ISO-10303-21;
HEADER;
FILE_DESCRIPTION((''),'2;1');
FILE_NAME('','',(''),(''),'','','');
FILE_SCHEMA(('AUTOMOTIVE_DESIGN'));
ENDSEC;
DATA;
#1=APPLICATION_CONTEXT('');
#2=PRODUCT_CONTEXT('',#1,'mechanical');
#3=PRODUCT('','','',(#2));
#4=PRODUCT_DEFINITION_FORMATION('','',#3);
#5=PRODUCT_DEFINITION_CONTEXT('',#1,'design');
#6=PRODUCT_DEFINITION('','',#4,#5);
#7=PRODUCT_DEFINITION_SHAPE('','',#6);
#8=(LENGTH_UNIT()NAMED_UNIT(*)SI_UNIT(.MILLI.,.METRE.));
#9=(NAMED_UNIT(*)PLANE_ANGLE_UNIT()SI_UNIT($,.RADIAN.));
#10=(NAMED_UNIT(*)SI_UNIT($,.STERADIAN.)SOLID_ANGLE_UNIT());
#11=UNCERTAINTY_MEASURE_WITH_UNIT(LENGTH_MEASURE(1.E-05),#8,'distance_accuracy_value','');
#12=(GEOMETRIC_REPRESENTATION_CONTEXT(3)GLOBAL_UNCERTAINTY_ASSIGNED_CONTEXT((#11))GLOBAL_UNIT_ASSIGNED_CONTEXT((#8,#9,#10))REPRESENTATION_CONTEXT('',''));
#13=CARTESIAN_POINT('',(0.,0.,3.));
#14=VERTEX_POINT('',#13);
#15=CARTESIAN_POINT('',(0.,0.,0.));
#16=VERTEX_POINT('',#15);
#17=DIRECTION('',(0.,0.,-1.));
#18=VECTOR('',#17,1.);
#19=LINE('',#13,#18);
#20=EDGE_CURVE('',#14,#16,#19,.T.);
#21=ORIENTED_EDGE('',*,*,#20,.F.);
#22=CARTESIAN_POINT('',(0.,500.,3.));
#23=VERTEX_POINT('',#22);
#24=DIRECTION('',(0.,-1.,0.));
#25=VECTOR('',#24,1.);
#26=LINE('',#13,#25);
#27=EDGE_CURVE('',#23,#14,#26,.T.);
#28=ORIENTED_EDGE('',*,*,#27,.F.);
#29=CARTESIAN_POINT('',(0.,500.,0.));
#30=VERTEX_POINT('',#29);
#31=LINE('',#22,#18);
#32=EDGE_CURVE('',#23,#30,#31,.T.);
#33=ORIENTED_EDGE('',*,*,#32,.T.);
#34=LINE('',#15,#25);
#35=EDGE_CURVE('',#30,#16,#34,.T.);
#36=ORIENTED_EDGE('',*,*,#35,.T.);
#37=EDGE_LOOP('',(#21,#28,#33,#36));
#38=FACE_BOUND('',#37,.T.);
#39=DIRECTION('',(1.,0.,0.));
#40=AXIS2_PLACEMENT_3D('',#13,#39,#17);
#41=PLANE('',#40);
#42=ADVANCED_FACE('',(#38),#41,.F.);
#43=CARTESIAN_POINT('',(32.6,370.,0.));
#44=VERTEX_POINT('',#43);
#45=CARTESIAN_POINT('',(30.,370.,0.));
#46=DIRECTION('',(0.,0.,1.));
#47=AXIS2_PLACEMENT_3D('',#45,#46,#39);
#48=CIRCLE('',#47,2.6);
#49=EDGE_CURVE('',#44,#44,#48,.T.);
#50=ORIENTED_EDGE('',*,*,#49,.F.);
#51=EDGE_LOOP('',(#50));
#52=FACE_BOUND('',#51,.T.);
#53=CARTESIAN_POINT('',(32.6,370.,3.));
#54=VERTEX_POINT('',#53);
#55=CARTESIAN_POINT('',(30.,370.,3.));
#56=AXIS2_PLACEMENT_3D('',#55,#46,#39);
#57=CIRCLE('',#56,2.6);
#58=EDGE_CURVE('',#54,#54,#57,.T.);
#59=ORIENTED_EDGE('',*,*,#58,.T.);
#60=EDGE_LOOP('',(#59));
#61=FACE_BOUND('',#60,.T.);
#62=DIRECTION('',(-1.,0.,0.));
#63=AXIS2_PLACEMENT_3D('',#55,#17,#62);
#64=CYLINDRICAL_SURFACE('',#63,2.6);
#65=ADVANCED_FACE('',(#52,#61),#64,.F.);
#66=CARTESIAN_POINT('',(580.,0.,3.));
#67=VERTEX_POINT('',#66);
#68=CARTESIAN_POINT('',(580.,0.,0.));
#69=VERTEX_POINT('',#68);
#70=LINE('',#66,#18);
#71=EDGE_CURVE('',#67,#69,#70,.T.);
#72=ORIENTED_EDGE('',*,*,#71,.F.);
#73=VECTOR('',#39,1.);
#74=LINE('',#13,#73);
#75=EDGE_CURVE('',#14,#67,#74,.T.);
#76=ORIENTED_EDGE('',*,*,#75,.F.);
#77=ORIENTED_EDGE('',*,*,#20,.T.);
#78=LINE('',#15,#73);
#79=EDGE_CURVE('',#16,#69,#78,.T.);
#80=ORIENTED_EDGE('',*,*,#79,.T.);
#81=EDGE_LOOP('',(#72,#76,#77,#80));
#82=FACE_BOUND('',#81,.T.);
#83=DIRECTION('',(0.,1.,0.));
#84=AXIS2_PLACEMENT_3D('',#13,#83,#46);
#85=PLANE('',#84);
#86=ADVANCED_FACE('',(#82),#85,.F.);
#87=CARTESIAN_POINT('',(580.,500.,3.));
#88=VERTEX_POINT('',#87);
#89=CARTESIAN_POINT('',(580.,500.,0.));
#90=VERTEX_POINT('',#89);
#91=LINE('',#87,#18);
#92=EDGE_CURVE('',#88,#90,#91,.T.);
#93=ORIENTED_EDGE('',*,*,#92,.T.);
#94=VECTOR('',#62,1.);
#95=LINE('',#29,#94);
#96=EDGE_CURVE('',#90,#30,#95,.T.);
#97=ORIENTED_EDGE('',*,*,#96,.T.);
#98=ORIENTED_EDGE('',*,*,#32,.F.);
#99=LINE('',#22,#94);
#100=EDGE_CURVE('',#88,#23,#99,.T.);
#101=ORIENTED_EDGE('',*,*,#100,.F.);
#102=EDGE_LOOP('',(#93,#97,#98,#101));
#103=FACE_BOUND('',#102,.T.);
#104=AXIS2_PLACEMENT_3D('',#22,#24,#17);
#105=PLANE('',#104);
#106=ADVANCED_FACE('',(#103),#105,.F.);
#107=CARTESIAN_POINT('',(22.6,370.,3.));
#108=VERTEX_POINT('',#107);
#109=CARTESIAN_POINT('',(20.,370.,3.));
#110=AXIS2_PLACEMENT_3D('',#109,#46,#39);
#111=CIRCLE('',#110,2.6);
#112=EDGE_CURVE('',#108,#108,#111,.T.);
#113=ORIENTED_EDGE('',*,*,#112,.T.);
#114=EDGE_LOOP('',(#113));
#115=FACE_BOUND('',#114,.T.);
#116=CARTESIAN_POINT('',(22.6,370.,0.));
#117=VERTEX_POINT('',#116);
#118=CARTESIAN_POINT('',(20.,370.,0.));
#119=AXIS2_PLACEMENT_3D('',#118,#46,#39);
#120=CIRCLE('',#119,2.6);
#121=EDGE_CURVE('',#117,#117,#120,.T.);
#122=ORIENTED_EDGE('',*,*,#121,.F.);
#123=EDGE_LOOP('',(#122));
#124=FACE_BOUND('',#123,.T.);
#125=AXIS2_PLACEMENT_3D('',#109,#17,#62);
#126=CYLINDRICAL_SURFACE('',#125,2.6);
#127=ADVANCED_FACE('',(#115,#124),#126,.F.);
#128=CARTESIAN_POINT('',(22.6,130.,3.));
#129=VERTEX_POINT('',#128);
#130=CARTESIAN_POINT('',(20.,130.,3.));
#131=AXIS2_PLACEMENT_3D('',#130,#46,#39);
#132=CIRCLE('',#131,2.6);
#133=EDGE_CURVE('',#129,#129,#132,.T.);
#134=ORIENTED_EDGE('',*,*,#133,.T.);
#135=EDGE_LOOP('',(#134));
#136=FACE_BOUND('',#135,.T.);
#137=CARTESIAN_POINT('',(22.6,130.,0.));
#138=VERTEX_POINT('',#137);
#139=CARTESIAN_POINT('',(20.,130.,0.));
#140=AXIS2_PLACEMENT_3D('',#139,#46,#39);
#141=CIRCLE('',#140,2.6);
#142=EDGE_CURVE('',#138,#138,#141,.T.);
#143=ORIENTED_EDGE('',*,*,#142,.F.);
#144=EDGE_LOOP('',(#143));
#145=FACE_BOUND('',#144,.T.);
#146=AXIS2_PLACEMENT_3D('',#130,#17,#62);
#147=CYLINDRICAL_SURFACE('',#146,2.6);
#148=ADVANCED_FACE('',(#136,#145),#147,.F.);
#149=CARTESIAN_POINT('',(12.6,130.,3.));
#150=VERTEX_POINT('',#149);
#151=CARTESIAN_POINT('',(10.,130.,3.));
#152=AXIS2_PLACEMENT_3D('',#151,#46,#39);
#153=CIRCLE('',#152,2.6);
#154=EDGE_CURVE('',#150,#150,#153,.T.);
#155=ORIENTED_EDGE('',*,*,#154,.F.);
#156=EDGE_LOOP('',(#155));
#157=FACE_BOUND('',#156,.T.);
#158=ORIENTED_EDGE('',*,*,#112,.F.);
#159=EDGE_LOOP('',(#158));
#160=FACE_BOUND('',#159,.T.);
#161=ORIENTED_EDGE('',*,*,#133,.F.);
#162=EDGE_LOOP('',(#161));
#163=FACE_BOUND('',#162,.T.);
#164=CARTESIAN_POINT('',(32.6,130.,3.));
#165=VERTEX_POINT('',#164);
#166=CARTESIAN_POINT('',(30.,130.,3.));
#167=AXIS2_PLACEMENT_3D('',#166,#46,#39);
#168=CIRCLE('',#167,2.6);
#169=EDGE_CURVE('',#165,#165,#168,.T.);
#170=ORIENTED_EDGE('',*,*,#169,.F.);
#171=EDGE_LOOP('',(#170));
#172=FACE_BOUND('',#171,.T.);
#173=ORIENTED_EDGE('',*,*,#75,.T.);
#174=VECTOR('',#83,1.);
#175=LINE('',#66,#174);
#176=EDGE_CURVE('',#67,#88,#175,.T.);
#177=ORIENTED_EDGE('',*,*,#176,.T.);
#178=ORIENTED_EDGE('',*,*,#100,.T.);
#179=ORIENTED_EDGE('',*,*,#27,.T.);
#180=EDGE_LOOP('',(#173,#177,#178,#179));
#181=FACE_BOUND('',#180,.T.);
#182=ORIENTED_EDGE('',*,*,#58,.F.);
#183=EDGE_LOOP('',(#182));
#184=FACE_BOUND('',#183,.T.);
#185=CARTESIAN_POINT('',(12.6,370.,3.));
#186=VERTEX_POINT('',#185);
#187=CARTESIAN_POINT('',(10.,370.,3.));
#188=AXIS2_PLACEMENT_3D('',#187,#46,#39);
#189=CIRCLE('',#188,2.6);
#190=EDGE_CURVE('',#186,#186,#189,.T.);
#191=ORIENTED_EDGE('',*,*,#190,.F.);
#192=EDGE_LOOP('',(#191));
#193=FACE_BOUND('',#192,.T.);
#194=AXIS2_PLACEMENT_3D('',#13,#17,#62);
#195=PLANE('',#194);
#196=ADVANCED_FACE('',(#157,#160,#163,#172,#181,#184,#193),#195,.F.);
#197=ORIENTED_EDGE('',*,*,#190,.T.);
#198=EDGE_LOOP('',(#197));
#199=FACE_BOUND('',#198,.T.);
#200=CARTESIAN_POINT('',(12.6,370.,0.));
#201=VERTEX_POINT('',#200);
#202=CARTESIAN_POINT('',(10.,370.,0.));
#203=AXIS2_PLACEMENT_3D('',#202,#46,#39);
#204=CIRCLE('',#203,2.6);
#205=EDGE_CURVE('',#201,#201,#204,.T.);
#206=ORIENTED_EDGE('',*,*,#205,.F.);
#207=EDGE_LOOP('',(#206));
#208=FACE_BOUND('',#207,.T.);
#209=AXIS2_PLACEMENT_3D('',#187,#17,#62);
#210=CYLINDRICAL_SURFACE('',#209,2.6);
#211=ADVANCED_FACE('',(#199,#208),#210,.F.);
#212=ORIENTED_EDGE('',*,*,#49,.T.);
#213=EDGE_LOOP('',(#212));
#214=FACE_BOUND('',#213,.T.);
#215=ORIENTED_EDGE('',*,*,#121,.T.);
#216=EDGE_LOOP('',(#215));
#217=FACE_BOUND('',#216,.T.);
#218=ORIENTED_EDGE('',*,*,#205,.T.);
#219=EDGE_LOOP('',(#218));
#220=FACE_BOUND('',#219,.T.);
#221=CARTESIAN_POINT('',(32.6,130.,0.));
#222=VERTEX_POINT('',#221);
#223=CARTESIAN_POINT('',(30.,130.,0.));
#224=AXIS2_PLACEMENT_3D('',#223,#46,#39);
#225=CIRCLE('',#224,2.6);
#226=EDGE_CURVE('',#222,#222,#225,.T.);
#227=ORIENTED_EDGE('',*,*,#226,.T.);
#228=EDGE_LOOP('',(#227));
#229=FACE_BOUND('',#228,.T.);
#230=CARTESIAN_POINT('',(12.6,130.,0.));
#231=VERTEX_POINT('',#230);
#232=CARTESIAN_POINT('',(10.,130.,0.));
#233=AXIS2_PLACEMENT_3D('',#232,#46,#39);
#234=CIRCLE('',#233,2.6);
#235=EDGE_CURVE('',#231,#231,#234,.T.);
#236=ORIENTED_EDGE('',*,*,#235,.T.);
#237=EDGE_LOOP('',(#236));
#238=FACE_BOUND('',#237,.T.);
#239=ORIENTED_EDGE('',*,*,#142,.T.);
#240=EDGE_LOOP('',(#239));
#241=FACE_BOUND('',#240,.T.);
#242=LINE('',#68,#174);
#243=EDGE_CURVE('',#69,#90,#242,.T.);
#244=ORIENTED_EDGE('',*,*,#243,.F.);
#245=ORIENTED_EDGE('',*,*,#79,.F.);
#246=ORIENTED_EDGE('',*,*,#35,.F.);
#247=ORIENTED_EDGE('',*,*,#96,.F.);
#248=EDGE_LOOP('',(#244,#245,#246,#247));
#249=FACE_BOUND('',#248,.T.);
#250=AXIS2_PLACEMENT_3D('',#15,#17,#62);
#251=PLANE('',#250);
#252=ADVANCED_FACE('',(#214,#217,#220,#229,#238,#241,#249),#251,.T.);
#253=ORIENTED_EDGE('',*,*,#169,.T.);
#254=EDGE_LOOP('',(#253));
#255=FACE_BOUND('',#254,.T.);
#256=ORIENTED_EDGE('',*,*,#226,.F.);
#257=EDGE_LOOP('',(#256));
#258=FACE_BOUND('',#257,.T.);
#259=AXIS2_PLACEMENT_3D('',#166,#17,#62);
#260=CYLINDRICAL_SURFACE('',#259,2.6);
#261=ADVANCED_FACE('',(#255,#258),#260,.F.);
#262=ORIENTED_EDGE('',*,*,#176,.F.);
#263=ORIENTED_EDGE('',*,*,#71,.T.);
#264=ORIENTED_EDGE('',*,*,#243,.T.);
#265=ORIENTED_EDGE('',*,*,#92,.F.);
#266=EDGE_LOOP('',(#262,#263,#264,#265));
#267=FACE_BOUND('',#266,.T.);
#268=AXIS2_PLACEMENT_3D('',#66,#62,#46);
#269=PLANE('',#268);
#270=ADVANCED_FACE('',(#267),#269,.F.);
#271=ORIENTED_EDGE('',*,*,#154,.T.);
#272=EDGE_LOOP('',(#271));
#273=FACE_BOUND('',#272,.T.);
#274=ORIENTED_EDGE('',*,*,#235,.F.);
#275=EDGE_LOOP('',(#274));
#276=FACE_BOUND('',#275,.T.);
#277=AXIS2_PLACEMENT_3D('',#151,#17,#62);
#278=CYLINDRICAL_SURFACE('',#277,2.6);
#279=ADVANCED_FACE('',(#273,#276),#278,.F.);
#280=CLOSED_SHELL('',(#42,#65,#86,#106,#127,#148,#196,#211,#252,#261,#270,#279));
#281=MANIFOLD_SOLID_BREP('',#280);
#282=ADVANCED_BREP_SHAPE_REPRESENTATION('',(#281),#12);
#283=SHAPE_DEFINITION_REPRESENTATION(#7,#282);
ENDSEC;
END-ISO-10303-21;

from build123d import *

# Parameters (mm, degrees)
SKETCH_1_W      = 580
SKETCH_1_H      = 500
SKETCH_1_R      = 2.6
EXTRUDE_1_DEPTH = 3


with BuildPart() as part:
    # 草图1 → 凸台-拉伸1 (new body)
    with BuildSketch(Plane.XY):
        with Locations((290, 250)):
            Rectangle(SKETCH_1_W, SKETCH_1_H)
        with Locations((10, 370)):
            Circle(SKETCH_1_R, mode=Mode.SUBTRACT)
        with Locations((10, 130)):
            Circle(SKETCH_1_R, mode=Mode.SUBTRACT)
        with Locations((20, 130)):
            Circle(SKETCH_1_R, mode=Mode.SUBTRACT)
        with Locations((20, 370)):
            Circle(SKETCH_1_R, mode=Mode.SUBTRACT)
        with Locations((30, 130)):
            Circle(SKETCH_1_R, mode=Mode.SUBTRACT)
        with Locations((30, 370)):
            Circle(SKETCH_1_R, mode=Mode.SUBTRACT)
    extrude(amount=EXTRUDE_1_DEPTH)


solid = part.part
